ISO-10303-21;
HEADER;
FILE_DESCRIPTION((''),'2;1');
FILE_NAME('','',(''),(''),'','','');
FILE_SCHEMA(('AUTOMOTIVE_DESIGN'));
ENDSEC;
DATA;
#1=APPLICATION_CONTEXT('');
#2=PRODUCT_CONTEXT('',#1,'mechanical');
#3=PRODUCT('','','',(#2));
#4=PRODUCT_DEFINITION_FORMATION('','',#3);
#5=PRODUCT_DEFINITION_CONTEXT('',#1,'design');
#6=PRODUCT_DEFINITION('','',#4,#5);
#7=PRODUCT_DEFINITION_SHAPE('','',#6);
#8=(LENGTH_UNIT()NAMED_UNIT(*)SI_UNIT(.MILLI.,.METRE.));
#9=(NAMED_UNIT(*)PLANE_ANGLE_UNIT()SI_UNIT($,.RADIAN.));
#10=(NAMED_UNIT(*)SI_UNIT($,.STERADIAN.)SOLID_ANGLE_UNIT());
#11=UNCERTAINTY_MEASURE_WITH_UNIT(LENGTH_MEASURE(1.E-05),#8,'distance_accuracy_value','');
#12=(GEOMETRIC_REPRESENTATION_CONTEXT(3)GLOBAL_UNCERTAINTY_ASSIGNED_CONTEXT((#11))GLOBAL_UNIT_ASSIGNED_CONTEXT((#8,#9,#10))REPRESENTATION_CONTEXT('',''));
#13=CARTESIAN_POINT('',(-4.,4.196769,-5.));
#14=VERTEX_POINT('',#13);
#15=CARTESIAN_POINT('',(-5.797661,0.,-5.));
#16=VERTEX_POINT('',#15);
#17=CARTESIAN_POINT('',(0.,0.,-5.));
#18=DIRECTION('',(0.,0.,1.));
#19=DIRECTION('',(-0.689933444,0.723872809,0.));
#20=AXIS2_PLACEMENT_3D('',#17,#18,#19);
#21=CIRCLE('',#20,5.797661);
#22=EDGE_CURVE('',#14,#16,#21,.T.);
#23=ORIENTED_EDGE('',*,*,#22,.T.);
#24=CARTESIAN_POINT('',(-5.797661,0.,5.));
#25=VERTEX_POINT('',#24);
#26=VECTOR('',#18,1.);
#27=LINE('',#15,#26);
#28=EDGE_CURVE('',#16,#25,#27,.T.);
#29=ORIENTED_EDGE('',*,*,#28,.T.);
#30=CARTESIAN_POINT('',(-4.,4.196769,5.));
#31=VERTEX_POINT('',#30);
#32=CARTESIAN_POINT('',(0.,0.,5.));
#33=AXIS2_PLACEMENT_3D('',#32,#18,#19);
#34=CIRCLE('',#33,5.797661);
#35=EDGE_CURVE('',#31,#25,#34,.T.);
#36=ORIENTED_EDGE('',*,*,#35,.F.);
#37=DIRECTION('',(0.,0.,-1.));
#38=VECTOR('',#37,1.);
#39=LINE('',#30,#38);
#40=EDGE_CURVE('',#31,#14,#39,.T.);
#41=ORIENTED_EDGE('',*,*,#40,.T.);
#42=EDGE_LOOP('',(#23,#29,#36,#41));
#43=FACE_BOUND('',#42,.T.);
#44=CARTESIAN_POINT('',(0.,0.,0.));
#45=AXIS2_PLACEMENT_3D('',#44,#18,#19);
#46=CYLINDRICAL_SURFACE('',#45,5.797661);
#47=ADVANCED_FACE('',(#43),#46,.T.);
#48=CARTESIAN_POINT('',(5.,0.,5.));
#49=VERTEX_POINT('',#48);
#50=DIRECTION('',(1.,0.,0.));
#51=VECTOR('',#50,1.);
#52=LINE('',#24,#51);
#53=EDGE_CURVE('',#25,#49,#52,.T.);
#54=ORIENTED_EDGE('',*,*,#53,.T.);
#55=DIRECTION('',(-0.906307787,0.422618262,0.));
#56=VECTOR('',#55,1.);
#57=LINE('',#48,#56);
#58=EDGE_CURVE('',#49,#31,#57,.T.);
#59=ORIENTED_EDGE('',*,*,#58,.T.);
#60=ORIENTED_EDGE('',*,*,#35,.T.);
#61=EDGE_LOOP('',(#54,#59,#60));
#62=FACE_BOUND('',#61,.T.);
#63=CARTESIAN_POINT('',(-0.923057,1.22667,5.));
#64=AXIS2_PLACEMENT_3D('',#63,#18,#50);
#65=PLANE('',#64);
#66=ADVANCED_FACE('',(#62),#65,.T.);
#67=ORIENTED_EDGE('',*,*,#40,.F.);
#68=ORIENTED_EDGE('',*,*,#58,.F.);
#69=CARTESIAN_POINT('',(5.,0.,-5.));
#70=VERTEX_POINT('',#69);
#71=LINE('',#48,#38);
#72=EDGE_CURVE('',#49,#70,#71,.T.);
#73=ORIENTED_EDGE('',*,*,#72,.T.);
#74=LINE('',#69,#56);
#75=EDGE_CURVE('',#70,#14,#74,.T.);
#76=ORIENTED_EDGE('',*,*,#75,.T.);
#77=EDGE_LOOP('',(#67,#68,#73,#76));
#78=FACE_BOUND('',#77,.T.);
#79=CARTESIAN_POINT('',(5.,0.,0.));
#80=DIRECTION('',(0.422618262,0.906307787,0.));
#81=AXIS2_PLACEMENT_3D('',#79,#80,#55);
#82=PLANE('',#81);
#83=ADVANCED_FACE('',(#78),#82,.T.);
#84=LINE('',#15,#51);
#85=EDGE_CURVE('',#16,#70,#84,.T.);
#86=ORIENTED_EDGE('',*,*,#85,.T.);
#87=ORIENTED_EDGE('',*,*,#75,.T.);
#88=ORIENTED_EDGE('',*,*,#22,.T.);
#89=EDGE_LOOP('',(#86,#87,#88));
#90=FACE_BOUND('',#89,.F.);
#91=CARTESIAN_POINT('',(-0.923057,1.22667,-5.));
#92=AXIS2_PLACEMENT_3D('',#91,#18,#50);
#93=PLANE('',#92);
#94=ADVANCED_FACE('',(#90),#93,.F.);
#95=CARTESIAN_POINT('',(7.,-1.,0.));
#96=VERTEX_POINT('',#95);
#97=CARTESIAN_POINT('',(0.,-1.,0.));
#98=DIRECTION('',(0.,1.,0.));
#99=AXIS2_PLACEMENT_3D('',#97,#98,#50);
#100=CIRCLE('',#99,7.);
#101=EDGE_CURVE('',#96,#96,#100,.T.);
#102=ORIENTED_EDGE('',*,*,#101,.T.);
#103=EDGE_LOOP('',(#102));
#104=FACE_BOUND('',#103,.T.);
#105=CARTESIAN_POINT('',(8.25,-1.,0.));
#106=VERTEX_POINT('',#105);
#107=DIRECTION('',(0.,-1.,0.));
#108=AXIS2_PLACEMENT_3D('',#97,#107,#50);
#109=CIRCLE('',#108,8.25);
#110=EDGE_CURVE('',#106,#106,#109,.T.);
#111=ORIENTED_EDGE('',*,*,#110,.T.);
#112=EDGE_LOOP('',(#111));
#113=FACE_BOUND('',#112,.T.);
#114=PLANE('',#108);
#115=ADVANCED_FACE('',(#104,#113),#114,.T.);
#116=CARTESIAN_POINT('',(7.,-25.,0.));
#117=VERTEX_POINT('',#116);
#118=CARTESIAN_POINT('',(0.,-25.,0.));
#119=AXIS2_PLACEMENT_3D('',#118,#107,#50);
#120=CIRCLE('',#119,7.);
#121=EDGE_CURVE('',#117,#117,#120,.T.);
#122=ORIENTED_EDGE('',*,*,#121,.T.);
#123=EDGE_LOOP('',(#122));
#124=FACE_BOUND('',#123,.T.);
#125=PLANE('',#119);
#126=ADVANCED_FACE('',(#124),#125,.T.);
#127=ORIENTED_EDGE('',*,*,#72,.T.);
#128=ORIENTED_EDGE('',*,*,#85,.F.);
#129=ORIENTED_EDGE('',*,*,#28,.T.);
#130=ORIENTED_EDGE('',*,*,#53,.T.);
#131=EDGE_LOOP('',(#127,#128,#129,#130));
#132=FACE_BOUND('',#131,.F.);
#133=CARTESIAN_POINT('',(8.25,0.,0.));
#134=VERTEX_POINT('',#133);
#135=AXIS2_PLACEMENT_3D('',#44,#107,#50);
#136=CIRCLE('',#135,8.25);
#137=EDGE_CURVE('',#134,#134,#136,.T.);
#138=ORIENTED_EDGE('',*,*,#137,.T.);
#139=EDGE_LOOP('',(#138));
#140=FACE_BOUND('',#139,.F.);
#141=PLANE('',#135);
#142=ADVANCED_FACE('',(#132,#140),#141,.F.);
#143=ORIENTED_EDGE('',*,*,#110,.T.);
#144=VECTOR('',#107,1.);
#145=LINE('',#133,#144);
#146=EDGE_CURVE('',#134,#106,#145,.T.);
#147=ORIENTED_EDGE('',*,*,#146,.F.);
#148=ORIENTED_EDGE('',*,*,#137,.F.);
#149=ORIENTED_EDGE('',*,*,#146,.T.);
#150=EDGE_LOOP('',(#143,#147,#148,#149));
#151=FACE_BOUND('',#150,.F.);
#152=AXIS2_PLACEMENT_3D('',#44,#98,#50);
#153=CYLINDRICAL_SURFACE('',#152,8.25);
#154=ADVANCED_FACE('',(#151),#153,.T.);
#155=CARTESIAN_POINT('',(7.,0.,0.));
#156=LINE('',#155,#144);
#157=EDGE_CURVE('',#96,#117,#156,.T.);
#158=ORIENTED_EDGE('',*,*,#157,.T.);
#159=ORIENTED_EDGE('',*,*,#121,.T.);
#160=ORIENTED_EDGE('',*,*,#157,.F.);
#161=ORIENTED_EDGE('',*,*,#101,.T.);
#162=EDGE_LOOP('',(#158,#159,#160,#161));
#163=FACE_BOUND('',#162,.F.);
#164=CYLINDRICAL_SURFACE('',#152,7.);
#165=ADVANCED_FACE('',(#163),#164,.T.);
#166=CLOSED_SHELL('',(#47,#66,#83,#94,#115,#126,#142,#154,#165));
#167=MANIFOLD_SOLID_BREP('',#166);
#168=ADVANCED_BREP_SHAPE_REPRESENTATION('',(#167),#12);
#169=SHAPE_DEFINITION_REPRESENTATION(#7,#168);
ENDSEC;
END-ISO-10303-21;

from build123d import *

# Parameters (mm, degrees)
F0_R     = 8.25
F1_DEPTH = 1
F2_R     = 7
F3_DEPTH = 25
F5_DEPTH = 5


with BuildPart() as f1:
    # F0 (on Front) → F1 (new body)
    with BuildSketch(Plane.XZ):
        Circle(F0_R)
    extrude(amount=F1_DEPTH)

    # F2 (on Front) → F3 (join)
    with BuildSketch(Plane.XZ):
        Circle(F2_R)
    extrude(amount=F3_DEPTH)

    # F4 (on Top) → F5 (join, symmetric)
    with BuildSketch(Plane.XY):
        with BuildLine():
            ThreePointArc((-4, 4.1967689234), (-5.329329795, 2.2827863089), (-5.7976606831, 0))
            Line((-5.7976606831, 0), (5, 0))
            Line((5, 0), (-4, 4.1967689234))
        make_face()
    extrude(amount=F5_DEPTH, both=True)


solid = f1.part
